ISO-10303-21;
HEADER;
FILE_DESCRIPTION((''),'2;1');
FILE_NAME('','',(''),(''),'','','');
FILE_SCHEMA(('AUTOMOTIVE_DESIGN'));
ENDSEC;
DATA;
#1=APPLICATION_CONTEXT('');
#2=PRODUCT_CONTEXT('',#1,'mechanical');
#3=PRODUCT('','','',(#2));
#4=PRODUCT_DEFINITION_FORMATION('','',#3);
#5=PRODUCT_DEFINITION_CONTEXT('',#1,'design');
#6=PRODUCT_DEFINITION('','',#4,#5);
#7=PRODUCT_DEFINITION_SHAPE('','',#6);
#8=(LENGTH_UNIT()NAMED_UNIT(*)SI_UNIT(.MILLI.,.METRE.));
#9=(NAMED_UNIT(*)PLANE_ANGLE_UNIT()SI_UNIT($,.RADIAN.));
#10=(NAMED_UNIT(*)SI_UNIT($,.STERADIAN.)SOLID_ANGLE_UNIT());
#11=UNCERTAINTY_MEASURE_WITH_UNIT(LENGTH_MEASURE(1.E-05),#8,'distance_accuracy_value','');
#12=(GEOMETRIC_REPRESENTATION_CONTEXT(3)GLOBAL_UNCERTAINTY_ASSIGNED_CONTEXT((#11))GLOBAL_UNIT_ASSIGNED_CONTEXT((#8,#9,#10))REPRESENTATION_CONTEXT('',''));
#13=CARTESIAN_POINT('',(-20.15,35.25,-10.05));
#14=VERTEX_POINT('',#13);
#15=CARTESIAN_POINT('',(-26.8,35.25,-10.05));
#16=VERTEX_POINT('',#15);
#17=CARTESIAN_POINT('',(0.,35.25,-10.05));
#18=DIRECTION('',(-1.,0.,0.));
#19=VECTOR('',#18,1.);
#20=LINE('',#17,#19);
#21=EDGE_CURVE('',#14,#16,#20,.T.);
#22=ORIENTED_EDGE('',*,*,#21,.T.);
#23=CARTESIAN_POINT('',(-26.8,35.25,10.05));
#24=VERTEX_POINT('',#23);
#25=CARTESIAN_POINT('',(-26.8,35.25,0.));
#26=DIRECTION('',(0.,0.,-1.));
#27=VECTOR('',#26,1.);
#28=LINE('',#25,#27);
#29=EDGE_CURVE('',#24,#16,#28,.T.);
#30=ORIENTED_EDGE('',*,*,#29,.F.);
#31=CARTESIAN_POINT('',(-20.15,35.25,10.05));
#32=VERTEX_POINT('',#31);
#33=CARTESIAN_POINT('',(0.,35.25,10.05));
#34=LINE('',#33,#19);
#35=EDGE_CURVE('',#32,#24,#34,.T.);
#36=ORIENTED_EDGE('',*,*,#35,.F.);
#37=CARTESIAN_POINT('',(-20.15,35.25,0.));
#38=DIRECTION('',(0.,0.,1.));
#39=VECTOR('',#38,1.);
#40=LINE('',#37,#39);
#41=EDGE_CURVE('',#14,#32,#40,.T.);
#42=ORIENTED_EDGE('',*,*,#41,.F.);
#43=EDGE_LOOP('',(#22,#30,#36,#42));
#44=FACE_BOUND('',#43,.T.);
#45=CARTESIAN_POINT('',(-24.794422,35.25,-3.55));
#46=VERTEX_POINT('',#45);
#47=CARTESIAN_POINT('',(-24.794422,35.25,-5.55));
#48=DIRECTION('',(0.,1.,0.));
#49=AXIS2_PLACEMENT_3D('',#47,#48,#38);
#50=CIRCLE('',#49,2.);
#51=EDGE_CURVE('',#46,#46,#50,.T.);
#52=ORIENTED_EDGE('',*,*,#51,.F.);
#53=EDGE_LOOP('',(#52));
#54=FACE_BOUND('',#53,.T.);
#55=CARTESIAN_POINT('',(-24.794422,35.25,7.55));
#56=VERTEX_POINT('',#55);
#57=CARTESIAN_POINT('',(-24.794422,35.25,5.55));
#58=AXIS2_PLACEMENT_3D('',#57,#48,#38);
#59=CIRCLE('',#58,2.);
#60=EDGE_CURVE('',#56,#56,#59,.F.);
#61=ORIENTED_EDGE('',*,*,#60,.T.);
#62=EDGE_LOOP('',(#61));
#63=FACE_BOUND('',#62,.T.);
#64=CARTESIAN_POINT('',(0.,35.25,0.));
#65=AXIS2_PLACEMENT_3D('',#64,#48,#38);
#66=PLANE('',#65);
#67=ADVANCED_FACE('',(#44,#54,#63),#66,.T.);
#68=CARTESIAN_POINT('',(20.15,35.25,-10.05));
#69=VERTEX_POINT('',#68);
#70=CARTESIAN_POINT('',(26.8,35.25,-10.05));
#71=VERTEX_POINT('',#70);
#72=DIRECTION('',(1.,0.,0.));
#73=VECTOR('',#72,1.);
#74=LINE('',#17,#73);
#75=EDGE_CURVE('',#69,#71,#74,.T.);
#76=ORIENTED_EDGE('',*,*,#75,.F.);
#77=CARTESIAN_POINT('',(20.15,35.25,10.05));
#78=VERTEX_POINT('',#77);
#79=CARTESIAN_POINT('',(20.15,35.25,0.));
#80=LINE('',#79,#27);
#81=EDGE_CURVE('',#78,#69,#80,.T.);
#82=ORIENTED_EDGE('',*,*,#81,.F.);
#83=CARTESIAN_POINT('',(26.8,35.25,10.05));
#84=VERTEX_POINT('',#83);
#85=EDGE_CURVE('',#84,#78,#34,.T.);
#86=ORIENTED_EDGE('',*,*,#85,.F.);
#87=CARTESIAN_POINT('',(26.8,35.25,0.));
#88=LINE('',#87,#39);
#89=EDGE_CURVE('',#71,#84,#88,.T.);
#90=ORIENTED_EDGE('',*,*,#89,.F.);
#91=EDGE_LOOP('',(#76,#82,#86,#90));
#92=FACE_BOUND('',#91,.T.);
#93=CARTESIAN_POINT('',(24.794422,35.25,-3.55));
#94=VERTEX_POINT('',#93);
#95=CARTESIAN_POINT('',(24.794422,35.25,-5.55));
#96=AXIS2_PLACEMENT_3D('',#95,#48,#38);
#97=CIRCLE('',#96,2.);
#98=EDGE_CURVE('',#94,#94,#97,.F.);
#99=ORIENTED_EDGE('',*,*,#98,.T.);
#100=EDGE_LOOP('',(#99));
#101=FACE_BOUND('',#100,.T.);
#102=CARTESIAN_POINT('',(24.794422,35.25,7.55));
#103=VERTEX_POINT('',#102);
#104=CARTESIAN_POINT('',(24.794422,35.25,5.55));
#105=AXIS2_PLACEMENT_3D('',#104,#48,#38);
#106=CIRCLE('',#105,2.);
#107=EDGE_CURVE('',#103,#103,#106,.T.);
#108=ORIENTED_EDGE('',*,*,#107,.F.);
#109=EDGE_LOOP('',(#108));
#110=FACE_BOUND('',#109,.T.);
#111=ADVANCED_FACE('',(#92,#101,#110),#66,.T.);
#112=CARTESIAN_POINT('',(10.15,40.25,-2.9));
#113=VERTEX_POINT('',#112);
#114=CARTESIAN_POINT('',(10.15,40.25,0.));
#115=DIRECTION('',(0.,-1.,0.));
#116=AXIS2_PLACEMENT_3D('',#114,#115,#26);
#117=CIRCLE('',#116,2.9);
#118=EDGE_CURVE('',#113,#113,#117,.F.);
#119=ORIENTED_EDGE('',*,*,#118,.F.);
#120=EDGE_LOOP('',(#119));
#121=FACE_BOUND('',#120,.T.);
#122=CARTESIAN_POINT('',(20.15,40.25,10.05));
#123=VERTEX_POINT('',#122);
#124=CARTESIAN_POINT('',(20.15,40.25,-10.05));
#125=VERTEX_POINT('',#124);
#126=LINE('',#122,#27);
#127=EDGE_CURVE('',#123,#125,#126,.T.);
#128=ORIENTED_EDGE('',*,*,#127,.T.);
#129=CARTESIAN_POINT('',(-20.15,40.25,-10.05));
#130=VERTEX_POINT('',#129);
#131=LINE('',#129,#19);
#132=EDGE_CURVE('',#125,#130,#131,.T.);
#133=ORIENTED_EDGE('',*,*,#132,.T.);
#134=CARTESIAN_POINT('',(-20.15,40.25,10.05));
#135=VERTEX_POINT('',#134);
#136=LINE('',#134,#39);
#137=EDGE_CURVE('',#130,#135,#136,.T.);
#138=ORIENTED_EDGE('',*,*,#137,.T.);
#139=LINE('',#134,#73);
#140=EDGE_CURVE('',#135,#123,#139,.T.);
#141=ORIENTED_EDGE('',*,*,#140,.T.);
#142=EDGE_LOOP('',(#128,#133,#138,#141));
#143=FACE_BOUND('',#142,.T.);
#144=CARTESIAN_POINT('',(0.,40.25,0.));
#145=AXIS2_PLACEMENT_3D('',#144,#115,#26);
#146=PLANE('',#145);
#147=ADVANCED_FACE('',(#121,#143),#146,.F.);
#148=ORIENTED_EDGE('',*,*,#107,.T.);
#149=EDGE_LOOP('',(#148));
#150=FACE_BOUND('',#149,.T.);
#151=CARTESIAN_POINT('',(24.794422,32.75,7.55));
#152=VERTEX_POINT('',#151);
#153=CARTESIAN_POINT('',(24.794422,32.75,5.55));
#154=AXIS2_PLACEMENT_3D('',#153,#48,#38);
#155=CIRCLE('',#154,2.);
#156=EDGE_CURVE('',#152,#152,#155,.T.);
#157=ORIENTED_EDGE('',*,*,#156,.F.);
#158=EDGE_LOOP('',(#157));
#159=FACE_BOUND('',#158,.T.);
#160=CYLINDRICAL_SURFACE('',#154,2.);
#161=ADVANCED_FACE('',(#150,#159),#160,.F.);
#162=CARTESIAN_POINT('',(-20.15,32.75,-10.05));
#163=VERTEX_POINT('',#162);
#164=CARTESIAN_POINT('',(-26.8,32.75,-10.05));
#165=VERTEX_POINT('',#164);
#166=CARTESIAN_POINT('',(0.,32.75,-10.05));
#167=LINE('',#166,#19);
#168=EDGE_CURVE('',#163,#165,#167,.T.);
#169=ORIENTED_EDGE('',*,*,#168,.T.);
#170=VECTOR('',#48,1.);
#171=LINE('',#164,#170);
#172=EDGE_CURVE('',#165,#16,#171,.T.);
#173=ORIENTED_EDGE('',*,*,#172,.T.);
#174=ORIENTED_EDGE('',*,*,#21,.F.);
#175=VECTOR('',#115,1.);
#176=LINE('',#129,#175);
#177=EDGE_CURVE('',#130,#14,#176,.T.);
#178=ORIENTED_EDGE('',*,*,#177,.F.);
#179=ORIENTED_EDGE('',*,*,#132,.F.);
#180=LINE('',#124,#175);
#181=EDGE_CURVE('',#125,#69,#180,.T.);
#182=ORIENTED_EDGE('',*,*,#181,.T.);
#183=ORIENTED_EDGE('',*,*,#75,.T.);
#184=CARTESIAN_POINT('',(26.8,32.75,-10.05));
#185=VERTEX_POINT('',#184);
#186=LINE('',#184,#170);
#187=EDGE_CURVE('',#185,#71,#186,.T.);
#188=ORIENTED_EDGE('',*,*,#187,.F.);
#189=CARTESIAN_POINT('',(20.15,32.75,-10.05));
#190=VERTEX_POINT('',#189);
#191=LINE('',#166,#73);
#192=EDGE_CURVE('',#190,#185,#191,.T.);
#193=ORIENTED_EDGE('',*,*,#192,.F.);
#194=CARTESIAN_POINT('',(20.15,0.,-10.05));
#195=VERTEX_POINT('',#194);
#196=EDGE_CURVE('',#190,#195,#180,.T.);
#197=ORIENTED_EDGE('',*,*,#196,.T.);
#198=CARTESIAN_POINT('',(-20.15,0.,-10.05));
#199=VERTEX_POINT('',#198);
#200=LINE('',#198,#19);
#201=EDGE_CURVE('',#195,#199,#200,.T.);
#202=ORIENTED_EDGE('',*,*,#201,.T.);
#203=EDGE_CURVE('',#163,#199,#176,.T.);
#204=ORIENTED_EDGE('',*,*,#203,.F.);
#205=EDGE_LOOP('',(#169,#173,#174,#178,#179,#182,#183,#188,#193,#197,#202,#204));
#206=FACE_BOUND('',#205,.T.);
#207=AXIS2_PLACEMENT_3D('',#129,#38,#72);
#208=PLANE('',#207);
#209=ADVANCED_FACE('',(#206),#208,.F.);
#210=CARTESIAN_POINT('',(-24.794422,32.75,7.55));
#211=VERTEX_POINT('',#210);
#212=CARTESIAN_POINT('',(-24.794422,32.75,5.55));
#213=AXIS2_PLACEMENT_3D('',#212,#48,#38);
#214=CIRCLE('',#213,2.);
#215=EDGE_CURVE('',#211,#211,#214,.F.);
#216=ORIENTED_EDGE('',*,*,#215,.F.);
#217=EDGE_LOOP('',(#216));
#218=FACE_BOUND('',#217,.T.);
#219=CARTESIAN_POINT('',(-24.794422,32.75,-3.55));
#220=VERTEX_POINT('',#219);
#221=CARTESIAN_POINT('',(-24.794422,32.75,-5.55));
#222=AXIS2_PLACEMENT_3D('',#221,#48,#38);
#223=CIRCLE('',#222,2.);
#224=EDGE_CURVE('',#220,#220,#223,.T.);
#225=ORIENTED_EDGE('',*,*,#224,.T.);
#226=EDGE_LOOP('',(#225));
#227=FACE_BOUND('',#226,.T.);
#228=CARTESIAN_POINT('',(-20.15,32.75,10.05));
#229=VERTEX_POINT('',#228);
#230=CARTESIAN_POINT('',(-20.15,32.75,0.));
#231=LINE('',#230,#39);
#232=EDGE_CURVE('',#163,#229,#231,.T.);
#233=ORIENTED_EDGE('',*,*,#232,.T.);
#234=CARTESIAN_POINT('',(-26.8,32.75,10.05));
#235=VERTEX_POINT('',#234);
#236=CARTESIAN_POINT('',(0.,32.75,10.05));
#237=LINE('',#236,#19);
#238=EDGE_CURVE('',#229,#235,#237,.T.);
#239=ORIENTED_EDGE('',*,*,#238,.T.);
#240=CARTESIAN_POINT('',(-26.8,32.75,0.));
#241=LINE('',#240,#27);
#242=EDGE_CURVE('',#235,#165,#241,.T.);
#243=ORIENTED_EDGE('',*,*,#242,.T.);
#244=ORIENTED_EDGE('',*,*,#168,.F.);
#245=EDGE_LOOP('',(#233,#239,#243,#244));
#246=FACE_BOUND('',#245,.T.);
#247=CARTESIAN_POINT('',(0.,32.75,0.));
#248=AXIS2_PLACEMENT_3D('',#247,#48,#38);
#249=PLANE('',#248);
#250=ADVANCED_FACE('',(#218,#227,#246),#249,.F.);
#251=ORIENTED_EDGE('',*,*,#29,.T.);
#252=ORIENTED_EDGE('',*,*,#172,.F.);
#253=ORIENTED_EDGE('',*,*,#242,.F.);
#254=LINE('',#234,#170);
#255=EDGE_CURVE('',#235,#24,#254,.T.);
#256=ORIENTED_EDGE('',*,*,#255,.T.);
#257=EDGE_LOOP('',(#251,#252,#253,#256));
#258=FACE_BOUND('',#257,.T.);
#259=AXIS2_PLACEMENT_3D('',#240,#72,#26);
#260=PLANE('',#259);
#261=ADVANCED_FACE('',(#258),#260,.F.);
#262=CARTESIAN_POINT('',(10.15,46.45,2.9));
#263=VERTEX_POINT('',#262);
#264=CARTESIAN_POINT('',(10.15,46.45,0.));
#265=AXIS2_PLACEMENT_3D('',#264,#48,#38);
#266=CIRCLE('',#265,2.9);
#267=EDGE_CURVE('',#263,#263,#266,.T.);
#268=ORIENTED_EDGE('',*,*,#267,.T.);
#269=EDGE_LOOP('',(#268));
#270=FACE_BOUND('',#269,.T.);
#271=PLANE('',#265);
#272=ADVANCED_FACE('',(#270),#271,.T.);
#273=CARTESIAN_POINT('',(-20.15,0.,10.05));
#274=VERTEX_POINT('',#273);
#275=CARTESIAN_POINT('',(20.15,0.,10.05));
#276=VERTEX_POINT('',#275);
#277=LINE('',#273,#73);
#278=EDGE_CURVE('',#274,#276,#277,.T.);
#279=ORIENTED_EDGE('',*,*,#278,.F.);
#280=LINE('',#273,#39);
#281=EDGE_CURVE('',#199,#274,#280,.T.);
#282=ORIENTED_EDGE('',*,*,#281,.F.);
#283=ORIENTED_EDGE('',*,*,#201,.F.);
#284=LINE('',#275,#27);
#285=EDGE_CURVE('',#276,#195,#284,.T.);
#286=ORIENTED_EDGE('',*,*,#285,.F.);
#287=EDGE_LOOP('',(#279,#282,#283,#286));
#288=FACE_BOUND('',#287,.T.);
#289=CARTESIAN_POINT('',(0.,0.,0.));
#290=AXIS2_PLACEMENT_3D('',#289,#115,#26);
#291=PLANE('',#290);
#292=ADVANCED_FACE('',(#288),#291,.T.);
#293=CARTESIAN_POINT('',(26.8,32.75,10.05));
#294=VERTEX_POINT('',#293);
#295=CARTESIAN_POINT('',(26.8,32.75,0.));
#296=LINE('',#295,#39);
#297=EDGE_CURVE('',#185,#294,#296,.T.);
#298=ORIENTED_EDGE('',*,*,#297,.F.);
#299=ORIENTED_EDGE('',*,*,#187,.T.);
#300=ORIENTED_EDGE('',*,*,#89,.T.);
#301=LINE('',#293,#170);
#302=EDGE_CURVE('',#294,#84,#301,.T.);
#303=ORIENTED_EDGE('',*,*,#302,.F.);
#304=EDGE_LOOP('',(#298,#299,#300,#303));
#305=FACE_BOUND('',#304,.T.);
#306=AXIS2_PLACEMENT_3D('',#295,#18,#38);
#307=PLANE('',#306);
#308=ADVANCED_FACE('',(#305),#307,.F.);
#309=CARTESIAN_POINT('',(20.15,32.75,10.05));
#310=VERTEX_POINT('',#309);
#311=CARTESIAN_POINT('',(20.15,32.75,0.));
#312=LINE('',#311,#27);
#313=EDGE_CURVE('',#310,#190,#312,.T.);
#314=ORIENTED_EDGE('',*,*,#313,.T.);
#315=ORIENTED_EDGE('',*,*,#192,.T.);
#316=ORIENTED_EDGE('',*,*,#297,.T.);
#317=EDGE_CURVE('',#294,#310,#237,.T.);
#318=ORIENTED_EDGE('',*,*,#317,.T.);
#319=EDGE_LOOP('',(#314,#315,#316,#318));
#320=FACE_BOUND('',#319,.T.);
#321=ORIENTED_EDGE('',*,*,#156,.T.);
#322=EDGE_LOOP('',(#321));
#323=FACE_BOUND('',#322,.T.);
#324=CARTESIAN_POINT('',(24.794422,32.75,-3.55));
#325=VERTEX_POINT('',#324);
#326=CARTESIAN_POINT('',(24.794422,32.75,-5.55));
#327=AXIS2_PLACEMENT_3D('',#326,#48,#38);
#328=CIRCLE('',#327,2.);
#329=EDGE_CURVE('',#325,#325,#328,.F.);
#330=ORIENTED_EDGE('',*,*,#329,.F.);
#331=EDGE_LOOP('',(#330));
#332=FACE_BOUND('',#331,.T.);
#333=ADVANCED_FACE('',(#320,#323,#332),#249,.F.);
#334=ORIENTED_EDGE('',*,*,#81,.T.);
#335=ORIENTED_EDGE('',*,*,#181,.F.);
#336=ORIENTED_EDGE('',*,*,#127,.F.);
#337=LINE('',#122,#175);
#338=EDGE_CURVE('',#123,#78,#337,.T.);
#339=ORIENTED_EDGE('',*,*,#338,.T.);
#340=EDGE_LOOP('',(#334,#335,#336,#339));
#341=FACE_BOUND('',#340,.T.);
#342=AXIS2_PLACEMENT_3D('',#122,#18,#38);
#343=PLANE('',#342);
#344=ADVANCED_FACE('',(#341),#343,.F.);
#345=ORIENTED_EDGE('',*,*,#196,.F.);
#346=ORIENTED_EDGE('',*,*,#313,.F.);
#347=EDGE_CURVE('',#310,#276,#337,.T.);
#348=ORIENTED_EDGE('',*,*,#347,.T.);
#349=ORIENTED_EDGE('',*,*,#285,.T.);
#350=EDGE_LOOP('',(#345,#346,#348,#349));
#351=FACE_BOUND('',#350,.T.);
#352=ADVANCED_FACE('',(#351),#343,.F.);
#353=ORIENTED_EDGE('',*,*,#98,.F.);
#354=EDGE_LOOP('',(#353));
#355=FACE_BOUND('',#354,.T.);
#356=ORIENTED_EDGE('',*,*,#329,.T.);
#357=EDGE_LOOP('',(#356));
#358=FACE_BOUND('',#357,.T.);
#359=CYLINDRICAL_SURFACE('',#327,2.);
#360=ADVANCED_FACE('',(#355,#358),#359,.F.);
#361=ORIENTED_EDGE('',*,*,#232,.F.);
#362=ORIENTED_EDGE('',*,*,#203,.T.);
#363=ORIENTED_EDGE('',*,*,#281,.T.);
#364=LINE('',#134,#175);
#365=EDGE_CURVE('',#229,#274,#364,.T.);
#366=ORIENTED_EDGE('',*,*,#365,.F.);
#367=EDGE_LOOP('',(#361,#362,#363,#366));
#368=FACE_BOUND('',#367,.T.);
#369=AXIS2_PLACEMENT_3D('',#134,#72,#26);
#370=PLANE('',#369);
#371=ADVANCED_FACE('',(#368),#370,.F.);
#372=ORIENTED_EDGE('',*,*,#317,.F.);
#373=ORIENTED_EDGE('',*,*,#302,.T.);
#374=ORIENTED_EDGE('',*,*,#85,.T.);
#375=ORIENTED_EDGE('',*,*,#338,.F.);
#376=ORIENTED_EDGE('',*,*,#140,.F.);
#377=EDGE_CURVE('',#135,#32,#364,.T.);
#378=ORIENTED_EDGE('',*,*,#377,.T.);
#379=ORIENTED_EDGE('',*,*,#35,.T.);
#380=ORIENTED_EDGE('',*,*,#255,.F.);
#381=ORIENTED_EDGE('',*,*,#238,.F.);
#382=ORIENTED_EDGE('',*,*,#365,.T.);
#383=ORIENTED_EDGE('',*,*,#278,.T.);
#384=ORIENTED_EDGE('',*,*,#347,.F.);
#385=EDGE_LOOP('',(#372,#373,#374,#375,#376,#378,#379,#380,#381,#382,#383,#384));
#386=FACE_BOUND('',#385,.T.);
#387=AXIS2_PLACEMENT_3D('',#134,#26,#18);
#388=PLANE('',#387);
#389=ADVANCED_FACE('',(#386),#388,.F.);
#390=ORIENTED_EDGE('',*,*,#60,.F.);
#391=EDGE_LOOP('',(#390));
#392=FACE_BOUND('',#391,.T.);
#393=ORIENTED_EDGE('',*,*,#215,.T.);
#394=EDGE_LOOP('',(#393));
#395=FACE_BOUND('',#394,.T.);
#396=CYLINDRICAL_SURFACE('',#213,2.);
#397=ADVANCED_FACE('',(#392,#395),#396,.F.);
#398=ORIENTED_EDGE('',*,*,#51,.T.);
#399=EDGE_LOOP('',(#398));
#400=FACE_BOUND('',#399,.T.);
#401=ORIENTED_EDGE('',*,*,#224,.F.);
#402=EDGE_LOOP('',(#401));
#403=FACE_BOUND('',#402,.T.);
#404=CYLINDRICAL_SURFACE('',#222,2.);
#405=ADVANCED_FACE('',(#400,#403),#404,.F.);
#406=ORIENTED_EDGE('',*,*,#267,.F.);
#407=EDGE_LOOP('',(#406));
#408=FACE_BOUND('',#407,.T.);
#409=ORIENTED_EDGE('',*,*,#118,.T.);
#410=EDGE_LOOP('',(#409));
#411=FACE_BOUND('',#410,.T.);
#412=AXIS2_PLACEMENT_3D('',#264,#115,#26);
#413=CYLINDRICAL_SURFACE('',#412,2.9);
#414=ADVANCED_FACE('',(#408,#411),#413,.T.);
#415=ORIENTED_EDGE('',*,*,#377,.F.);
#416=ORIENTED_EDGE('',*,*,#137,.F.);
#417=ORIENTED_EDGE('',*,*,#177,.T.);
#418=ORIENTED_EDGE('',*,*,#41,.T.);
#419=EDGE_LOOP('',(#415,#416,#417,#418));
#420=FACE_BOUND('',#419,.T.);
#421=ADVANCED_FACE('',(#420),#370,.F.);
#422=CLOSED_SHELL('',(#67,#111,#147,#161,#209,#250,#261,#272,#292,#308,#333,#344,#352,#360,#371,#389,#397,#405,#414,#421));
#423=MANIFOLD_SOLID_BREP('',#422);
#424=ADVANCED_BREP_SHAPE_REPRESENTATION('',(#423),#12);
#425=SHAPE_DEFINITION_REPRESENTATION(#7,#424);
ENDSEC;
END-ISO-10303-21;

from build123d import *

# Parameters (mm, degrees)
SKETCH1_W           = 40.3
SKETCH1_H           = 20.1
BOSS_EXTRUDE1_DEPTH = 40.25
SKETCH2_R           = 2.9
BOSS_EXTRUDE2_DEPTH = 6.2
BOSS_EXTRUDE3_START = -5
SKETCH3_W           = 6.65
SKETCH3_H           = 20.1
SKETCH3_R           = 2
BOSS_EXTRUDE3_DEPTH = 2.5


with BuildPart() as part:
    # Sketch1 → Boss-Extrude1 (new body)
    with BuildSketch(Plane(origin=(0, 0, 0), x_dir=(1, 0, 0), z_dir=(0, 1, 0))):
        Rectangle(SKETCH1_W, SKETCH1_H)
    extrude(amount=BOSS_EXTRUDE1_DEPTH)

    # Sketch2 → Boss-Extrude2 (add)
    with BuildSketch(Plane(origin=(0, 40.25, 0), x_dir=(1, 0, 0), z_dir=(0, 1, 0))):
        with Locations(Location((10.15, 0, 0), (0, 0, 90))):
            Circle(SKETCH2_R)
    extrude(amount=BOSS_EXTRUDE2_DEPTH)

    # Sketch3 → Boss-Extrude3 (add)
    # profile 1 of 2: a face of its own
    with BuildSketch(Plane(origin=(0, 40.25, 0), x_dir=(1, 0, 0), z_dir=(0, 1, 0)).offset(BOSS_EXTRUDE3_START)):
        with Locations((-23.475, 0)):
            Rectangle(SKETCH3_W, SKETCH3_H)
        with Locations(Location((-24.794421729, 5.55, 0), (0, 0, 270))):
            Circle(SKETCH3_R, mode=Mode.SUBTRACT)
        with Locations(Location((-24.794421729, -5.55, 0), (0, 0, 270))):
            Circle(SKETCH3_R, mode=Mode.SUBTRACT)
    # profile 2 of 2: a face of its own
    with BuildSketch(Plane(origin=(0, 40.25, 0), x_dir=(1, 0, 0), z_dir=(0, 1, 0)).offset(BOSS_EXTRUDE3_START)):
        with Locations((23.475, 0)):
            Rectangle(SKETCH3_W, SKETCH3_H)
        with Locations(Location((24.794421729, -5.55, 0), (0, 0, 270))):
            Circle(SKETCH3_R, mode=Mode.SUBTRACT)
        with Locations(Location((24.794421729, 5.55, 0), (0, 0, 270))):
            Circle(SKETCH3_R, mode=Mode.SUBTRACT)
    extrude(amount=-BOSS_EXTRUDE3_DEPTH)


solid = part.part
